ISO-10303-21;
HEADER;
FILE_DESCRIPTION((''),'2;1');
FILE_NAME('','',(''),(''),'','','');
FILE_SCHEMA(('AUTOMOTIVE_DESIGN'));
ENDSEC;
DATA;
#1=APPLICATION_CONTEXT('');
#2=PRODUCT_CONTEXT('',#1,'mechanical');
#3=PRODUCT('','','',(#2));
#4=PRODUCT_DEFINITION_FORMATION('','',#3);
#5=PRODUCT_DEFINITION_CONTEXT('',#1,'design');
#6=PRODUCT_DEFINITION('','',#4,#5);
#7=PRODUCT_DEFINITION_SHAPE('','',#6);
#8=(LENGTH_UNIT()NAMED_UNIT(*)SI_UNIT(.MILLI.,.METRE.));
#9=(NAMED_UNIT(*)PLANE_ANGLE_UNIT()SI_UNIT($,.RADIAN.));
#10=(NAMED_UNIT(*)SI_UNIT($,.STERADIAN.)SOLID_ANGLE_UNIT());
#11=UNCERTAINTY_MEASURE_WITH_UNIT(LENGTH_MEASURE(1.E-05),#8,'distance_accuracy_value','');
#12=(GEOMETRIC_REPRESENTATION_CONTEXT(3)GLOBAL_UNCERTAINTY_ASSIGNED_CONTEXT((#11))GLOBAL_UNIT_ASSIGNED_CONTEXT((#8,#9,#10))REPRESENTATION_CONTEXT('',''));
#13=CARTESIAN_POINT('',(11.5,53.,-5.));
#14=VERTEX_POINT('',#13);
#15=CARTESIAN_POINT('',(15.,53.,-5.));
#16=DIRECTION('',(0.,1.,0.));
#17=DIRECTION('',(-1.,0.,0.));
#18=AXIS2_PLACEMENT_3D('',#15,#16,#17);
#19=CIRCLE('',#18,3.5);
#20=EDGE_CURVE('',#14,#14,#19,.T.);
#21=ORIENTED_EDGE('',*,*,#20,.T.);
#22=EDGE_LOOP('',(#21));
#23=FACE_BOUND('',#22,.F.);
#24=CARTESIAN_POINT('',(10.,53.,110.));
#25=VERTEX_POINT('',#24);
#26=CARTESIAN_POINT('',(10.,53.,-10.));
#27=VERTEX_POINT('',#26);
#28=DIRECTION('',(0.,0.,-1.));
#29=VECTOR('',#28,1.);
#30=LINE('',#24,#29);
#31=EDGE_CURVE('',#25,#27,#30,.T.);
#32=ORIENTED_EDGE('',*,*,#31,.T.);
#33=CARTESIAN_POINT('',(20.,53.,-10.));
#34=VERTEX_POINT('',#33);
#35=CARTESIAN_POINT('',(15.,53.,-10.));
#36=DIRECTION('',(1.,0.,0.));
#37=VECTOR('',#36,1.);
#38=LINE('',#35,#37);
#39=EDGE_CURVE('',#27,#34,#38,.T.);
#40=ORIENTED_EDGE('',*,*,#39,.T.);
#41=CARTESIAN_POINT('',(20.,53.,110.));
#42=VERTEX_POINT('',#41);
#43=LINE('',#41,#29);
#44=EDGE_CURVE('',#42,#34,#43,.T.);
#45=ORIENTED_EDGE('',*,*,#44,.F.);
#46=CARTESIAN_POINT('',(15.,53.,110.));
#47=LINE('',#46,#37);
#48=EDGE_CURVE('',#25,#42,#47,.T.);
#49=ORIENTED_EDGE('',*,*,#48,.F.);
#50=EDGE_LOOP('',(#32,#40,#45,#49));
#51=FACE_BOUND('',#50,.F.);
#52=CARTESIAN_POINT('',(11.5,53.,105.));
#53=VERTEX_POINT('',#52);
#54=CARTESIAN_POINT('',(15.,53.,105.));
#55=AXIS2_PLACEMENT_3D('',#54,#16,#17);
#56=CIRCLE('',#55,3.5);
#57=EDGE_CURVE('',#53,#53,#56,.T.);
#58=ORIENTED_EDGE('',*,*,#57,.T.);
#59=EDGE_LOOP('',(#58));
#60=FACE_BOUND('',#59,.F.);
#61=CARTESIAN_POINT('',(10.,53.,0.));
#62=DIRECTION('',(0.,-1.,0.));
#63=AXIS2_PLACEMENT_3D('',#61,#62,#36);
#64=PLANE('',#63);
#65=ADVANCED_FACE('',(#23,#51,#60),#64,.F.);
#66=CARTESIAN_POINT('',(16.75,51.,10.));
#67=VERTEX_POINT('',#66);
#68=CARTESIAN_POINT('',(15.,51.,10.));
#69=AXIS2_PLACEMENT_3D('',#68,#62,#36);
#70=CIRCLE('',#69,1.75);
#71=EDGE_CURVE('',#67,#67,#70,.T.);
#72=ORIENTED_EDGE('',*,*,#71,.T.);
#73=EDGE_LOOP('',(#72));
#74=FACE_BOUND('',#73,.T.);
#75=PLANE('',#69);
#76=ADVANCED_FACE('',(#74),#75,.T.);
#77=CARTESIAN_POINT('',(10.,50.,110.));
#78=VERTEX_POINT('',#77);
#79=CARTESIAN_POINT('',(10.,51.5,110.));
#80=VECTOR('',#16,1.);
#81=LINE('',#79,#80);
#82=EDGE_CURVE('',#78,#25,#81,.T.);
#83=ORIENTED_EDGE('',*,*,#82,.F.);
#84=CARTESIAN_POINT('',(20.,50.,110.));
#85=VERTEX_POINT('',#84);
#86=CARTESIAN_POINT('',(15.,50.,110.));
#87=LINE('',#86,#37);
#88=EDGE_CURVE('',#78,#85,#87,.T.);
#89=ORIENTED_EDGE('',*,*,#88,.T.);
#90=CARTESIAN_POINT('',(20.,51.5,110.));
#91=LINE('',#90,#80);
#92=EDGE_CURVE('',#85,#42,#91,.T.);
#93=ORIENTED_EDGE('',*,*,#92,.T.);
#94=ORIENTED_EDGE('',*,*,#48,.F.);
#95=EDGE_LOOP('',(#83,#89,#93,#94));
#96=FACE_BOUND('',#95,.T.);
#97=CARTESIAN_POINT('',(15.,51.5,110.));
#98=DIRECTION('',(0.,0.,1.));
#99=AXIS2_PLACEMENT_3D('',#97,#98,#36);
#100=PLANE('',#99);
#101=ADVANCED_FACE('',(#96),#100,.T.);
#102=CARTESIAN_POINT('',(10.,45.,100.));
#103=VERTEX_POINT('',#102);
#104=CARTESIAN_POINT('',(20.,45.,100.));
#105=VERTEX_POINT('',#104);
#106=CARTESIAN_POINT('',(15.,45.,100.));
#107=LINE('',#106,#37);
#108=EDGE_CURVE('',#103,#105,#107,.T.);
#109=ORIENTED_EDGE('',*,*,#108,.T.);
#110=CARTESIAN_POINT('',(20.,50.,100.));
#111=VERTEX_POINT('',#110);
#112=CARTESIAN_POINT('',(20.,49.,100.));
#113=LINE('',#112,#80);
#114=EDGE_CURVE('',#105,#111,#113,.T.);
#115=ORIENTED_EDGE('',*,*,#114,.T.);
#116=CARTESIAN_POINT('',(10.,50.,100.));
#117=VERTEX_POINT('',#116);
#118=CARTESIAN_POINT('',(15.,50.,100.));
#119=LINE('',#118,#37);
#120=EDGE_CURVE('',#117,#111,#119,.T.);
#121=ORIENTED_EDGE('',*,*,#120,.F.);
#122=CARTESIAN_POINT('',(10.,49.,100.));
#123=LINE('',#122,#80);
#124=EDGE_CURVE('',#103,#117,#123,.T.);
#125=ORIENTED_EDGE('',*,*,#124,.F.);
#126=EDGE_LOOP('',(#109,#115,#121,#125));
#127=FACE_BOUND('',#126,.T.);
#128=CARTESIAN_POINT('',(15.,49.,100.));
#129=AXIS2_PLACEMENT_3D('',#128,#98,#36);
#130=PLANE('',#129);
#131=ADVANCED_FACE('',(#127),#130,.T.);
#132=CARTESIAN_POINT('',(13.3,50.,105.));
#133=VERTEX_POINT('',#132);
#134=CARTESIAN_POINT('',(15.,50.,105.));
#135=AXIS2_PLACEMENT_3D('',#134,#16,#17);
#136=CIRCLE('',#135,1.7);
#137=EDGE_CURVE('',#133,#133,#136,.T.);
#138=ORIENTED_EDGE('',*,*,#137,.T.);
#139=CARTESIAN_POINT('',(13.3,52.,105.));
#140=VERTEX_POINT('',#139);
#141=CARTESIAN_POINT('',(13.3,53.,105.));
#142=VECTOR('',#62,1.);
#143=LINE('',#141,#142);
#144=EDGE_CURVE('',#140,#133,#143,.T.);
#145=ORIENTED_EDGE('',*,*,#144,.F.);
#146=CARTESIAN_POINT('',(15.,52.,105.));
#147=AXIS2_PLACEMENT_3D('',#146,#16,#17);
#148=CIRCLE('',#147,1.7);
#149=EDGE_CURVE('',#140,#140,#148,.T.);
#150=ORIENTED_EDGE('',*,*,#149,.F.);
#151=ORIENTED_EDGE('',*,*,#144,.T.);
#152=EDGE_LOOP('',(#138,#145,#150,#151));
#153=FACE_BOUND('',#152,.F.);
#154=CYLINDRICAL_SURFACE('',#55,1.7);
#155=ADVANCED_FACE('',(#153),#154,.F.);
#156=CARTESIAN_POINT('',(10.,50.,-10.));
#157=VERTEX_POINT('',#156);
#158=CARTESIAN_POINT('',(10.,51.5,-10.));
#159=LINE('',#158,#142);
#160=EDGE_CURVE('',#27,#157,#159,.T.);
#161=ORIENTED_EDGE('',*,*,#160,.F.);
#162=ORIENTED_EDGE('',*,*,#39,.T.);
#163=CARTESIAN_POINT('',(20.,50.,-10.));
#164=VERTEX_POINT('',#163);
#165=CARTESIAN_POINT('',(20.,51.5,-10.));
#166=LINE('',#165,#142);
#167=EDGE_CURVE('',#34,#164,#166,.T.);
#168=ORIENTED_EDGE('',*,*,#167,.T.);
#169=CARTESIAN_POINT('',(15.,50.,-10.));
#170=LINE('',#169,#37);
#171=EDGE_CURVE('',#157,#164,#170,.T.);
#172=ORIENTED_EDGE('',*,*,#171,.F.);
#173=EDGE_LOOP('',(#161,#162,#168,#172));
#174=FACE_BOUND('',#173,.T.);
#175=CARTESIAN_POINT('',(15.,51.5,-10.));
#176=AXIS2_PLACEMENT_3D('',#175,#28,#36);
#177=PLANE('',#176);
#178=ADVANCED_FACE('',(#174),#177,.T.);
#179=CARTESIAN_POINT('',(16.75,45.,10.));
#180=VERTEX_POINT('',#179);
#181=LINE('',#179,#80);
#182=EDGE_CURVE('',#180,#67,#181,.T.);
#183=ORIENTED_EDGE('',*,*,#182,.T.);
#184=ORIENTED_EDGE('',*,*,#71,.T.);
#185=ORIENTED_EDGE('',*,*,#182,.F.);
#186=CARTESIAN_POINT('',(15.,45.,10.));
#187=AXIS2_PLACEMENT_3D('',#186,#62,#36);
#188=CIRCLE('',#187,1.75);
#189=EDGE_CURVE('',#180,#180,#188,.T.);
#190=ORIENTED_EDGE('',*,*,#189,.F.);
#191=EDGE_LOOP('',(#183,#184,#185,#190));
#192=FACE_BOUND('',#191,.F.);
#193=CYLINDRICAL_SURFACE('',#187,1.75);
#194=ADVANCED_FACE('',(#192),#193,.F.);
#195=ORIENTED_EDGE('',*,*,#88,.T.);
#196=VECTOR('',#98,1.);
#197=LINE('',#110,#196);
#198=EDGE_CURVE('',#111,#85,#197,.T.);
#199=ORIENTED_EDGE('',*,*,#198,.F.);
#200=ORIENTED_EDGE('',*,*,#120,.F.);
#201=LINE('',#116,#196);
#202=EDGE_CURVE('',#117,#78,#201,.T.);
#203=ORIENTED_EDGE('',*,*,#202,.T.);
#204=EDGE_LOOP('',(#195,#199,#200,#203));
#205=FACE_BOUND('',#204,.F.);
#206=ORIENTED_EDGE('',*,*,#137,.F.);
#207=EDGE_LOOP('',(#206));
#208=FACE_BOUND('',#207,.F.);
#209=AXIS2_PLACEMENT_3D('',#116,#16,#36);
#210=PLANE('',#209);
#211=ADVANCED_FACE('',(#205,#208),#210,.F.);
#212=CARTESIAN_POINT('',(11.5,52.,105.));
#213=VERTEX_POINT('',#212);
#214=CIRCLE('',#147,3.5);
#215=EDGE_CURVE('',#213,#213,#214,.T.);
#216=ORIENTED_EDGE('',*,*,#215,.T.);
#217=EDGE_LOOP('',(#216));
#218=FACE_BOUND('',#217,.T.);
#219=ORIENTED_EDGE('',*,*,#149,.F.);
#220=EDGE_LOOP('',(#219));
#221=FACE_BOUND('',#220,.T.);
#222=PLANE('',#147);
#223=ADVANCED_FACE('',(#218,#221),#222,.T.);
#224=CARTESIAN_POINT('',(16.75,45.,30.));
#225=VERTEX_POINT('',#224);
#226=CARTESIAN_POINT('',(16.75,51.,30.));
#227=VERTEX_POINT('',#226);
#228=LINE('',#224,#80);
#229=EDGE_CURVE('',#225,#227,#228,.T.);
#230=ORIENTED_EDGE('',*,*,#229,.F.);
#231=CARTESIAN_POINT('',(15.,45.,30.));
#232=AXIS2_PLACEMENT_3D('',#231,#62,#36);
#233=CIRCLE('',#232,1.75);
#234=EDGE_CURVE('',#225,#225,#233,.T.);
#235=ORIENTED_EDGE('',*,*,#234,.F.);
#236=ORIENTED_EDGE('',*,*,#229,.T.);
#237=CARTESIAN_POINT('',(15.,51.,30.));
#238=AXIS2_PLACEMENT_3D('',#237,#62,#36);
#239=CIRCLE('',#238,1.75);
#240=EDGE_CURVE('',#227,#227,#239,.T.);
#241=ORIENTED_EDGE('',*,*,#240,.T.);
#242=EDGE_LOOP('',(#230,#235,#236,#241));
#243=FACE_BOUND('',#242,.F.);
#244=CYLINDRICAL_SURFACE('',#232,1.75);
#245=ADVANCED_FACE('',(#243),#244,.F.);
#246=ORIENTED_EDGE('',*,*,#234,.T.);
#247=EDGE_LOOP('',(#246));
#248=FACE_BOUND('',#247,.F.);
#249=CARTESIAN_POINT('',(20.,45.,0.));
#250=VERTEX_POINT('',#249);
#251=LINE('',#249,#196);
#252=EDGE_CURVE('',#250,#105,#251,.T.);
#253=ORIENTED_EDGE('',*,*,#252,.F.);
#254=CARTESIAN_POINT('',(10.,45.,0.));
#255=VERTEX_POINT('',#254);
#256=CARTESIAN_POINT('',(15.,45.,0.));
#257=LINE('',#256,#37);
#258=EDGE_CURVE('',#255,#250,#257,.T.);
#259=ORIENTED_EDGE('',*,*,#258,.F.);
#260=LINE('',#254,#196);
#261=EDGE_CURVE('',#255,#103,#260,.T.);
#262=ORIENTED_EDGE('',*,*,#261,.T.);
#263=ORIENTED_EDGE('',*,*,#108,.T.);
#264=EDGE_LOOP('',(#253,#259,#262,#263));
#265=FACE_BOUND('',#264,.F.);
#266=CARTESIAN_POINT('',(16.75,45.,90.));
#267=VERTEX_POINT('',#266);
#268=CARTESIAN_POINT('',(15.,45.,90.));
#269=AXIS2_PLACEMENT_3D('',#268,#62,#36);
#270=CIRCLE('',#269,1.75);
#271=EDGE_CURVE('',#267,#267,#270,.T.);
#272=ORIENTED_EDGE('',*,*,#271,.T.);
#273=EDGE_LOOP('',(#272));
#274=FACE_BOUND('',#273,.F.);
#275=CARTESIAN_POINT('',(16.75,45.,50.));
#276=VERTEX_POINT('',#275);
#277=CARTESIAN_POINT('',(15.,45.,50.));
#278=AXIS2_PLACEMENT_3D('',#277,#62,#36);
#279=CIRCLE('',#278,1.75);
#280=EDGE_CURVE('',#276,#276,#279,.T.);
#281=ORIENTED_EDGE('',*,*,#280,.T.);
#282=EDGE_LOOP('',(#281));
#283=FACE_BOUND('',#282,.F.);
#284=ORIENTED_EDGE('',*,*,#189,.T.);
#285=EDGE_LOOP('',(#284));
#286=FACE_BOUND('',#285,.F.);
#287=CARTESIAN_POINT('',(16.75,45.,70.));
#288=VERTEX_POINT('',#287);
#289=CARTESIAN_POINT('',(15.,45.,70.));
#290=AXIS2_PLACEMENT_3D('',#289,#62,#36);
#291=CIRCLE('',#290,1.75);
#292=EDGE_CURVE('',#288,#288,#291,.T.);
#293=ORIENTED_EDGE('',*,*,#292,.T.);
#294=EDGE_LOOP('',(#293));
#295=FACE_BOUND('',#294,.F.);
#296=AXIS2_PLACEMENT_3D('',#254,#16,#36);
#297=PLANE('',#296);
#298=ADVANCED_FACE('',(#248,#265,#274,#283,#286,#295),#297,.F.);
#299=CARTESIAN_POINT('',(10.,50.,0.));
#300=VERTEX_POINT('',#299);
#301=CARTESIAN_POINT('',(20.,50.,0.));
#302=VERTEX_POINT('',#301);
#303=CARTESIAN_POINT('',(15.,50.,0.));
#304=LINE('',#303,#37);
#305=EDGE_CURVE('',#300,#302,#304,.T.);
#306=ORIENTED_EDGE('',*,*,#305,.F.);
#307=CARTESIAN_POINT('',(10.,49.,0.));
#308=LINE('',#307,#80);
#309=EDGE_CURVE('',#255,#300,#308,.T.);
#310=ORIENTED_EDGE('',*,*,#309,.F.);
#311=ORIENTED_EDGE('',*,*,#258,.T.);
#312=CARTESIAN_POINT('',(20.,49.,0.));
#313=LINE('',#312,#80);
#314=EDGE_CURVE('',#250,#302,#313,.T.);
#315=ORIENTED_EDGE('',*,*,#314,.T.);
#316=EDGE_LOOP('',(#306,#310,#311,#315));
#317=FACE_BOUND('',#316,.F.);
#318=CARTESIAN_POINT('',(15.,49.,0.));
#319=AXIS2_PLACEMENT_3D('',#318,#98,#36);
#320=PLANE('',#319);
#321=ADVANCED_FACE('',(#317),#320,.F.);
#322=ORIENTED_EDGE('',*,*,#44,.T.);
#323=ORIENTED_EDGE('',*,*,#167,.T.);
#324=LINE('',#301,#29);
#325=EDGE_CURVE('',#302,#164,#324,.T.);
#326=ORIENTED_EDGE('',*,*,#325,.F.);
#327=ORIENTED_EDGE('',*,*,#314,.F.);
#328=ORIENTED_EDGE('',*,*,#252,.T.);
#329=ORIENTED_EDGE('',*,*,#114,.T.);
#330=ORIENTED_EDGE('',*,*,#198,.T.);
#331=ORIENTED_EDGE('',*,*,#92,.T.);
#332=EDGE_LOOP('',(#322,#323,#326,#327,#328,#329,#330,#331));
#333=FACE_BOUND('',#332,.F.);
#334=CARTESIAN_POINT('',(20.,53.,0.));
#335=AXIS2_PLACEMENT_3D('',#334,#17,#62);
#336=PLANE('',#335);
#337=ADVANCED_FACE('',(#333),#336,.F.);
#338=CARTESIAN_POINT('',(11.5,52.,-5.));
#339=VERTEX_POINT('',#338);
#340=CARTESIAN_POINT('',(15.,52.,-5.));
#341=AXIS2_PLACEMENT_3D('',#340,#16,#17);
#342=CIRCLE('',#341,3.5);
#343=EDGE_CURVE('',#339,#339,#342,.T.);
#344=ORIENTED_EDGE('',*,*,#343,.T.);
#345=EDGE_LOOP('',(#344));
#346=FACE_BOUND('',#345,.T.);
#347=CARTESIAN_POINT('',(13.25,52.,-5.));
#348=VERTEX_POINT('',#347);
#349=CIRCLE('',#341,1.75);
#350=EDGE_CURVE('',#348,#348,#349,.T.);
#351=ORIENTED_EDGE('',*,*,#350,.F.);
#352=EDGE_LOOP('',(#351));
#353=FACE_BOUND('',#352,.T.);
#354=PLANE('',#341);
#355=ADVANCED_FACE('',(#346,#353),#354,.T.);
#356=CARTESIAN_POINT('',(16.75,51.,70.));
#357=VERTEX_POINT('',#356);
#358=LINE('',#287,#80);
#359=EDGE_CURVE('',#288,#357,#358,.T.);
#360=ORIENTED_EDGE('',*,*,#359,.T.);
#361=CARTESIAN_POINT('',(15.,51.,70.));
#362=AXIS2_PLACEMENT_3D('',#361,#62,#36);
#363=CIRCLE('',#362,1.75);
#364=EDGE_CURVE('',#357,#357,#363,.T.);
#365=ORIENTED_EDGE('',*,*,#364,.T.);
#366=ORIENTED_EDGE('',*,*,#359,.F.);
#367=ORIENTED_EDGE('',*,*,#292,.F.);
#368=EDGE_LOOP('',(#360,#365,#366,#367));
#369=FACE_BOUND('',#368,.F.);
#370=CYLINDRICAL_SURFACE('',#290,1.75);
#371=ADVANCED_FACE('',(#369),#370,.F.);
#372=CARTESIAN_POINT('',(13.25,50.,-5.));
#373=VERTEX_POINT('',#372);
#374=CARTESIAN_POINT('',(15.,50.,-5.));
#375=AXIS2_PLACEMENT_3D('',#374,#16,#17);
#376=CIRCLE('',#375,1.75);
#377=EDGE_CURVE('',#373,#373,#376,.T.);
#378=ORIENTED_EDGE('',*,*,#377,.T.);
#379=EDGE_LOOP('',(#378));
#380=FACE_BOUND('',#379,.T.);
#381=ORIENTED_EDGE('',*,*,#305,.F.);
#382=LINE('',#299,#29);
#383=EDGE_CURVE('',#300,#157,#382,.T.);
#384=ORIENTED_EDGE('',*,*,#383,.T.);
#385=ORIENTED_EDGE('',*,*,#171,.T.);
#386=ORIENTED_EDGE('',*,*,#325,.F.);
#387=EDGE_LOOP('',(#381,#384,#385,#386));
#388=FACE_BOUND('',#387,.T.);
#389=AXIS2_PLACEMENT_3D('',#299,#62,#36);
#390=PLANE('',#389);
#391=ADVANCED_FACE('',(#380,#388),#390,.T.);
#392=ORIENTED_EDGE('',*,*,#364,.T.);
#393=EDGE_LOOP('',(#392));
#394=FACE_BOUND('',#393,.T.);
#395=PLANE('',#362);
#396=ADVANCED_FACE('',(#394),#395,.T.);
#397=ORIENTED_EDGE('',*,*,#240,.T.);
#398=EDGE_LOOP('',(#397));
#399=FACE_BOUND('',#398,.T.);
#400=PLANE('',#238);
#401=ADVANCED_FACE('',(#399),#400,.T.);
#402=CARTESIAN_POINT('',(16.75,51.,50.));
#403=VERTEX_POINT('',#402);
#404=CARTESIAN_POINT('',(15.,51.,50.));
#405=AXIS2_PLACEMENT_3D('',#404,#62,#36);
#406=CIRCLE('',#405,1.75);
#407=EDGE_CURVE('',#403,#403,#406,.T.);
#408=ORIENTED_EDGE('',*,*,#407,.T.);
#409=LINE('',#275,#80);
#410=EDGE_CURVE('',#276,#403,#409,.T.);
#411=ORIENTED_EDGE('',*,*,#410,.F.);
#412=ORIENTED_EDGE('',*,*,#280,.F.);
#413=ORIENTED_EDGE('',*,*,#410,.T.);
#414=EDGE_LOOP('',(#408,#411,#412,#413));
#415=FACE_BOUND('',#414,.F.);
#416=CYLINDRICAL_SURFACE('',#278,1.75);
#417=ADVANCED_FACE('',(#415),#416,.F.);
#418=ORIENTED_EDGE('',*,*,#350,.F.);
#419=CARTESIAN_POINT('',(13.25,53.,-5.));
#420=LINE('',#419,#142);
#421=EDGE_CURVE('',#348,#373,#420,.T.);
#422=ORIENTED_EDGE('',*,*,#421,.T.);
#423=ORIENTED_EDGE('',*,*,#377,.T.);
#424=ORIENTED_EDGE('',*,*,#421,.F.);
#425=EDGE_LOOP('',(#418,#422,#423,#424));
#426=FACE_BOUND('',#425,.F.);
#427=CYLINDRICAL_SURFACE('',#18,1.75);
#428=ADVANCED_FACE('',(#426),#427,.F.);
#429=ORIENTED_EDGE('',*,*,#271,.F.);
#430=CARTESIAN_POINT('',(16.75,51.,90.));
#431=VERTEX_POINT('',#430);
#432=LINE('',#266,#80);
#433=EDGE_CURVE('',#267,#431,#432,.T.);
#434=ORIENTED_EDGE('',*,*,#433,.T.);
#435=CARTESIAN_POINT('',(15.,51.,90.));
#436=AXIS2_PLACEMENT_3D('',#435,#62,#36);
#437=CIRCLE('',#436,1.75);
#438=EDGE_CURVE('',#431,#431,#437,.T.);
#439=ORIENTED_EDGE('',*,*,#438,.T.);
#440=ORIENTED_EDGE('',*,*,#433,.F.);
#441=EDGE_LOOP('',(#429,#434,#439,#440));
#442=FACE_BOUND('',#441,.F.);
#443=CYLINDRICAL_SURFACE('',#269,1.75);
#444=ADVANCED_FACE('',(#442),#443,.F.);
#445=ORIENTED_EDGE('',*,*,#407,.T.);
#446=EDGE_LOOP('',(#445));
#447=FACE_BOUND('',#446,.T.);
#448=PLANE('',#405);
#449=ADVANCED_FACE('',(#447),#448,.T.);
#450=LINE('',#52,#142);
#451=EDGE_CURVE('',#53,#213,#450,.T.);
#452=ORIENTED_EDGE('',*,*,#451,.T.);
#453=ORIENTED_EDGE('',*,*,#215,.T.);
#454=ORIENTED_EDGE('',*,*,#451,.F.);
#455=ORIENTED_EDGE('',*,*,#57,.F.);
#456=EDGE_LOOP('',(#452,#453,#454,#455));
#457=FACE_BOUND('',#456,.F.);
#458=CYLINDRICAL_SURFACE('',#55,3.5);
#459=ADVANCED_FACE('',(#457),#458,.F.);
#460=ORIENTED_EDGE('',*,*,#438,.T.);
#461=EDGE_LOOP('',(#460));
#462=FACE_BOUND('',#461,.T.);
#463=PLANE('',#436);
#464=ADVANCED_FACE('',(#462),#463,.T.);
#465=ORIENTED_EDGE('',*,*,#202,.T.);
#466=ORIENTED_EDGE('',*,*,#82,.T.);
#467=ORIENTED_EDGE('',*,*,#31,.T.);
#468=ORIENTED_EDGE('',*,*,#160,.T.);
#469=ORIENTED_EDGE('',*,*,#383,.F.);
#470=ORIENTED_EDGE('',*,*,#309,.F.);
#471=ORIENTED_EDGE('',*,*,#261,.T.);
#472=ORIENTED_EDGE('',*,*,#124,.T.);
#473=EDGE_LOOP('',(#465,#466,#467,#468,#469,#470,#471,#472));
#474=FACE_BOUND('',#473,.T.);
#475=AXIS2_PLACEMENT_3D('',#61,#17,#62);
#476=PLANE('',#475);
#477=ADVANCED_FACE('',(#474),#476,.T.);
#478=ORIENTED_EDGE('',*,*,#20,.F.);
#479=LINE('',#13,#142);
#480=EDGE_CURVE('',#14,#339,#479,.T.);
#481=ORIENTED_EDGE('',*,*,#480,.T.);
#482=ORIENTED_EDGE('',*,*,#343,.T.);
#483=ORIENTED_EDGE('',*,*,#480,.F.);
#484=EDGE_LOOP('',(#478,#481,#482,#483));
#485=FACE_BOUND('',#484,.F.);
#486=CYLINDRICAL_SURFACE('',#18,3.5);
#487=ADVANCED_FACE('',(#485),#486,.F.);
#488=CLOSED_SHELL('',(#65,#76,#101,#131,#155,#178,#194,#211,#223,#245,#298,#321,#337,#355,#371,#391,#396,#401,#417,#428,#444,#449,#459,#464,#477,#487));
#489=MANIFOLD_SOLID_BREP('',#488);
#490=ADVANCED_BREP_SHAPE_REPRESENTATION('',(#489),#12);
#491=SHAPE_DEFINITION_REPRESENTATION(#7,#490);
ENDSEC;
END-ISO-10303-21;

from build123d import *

# Parameters (mm, degrees)
SKETCH016_W     = 10
SKETCH016_H     = 8
PAD005_DEPTH    = 100
SKETCH015_W     = 10
SKETCH015_H     = 3
PAD006_DEPTH    = 10
SKETCH017_R     = 1.7
POCKET006_DEPTH = 5
SKETCH013_R     = 3.5
POCKET008_DEPTH = 1
SKETCH012_W     = 10
SKETCH012_H     = 3
PAD007_DEPTH    = 10
SKETCH011_R     = 1.75
POCKET007_DEPTH = 5
SKETCH014_R     = 3.5
POCKET010_DEPTH = 1
SKETCH018_R     = 1.75
POCKET009_DEPTH = 6


with BuildPart() as part:
    # Sketch016 → Pad005 (new body)
    with BuildSketch(Plane.XY):
        with Locations((-15, 49)):
            Rectangle(SKETCH016_W, SKETCH016_H)
    extrude(amount=PAD005_DEPTH)

    # Sketch015 (on Face6 of Pad005) → Pad006 (join)
    with BuildSketch(Plane.XY.offset(100)):
        with Locations((-15, 51.5)):
            Rectangle(SKETCH015_W, SKETCH015_H)
    extrude(amount=PAD006_DEPTH)

    # Sketch017 (on Face5 of Pad006) → Pocket006 (cut)
    with BuildSketch(Plane(origin=(0, 53, 0), x_dir=(-1, 0, 0), z_dir=(0, 1, 0))):
        with Locations((15, 105)):
            Circle(SKETCH017_R)
    extrude(amount=-POCKET006_DEPTH, mode=Mode.SUBTRACT)

    # Sketch013 (on Face5 of Pocket006) → Pocket008 (cut)
    with BuildSketch(Plane(origin=(0, 53, 0), x_dir=(-1, 0, 0), z_dir=(0, 1, 0))):
        with Locations((15, 105)):
            Circle(SKETCH013_R)
    extrude(amount=-POCKET008_DEPTH, mode=Mode.SUBTRACT)

    # Sketch012 (on Face4 of Pocket008) → Pad007 (join)
    with BuildSketch(Plane(origin=(0, 0, 0), x_dir=(1, 0, 0), z_dir=(0, 0, -1))):
        with Locations((-15, -51.5)):
            Rectangle(SKETCH012_W, SKETCH012_H)
    extrude(amount=PAD007_DEPTH)

    # Sketch011 (on Face4 of Pad007) → Pocket007 (cut)
    with BuildSketch(Plane(origin=(0, 53, 0), x_dir=(-1, 0, 0), z_dir=(0, 1, 0))):
        with Locations((15, -5)):
            Circle(SKETCH011_R)
    extrude(amount=-POCKET007_DEPTH, mode=Mode.SUBTRACT)

    # Sketch014 (on Face4 of Pocket007) → Pocket010 (cut)
    with BuildSketch(Plane(origin=(0, 53, 0), x_dir=(-1, 0, 0), z_dir=(0, 1, 0))):
        with Locations((15, -5)):
            Circle(SKETCH014_R)
    extrude(amount=-POCKET010_DEPTH, mode=Mode.SUBTRACT)

    # Sketch018 (on Face6 of Pocket010) → Pocket009 (cut)
    with BuildSketch(Plane.XZ.offset(-45)):
        with Locations((-15, 90)):
            Circle(SKETCH018_R)
        with Locations((-15, 70)):
            Circle(SKETCH018_R)
        with Locations((-15, 50)):
            Circle(SKETCH018_R)
        with Locations((-15, 30)):
            Circle(SKETCH018_R)
        with Locations((-15, 10)):
            Circle(SKETCH018_R)
    extrude(amount=-POCKET009_DEPTH, mode=Mode.SUBTRACT)


with BuildPart() as part_1:
    # Body003 placement: moved
    add(part.part.moved(Location((30, 0, 0))))


solid = part_1.part
